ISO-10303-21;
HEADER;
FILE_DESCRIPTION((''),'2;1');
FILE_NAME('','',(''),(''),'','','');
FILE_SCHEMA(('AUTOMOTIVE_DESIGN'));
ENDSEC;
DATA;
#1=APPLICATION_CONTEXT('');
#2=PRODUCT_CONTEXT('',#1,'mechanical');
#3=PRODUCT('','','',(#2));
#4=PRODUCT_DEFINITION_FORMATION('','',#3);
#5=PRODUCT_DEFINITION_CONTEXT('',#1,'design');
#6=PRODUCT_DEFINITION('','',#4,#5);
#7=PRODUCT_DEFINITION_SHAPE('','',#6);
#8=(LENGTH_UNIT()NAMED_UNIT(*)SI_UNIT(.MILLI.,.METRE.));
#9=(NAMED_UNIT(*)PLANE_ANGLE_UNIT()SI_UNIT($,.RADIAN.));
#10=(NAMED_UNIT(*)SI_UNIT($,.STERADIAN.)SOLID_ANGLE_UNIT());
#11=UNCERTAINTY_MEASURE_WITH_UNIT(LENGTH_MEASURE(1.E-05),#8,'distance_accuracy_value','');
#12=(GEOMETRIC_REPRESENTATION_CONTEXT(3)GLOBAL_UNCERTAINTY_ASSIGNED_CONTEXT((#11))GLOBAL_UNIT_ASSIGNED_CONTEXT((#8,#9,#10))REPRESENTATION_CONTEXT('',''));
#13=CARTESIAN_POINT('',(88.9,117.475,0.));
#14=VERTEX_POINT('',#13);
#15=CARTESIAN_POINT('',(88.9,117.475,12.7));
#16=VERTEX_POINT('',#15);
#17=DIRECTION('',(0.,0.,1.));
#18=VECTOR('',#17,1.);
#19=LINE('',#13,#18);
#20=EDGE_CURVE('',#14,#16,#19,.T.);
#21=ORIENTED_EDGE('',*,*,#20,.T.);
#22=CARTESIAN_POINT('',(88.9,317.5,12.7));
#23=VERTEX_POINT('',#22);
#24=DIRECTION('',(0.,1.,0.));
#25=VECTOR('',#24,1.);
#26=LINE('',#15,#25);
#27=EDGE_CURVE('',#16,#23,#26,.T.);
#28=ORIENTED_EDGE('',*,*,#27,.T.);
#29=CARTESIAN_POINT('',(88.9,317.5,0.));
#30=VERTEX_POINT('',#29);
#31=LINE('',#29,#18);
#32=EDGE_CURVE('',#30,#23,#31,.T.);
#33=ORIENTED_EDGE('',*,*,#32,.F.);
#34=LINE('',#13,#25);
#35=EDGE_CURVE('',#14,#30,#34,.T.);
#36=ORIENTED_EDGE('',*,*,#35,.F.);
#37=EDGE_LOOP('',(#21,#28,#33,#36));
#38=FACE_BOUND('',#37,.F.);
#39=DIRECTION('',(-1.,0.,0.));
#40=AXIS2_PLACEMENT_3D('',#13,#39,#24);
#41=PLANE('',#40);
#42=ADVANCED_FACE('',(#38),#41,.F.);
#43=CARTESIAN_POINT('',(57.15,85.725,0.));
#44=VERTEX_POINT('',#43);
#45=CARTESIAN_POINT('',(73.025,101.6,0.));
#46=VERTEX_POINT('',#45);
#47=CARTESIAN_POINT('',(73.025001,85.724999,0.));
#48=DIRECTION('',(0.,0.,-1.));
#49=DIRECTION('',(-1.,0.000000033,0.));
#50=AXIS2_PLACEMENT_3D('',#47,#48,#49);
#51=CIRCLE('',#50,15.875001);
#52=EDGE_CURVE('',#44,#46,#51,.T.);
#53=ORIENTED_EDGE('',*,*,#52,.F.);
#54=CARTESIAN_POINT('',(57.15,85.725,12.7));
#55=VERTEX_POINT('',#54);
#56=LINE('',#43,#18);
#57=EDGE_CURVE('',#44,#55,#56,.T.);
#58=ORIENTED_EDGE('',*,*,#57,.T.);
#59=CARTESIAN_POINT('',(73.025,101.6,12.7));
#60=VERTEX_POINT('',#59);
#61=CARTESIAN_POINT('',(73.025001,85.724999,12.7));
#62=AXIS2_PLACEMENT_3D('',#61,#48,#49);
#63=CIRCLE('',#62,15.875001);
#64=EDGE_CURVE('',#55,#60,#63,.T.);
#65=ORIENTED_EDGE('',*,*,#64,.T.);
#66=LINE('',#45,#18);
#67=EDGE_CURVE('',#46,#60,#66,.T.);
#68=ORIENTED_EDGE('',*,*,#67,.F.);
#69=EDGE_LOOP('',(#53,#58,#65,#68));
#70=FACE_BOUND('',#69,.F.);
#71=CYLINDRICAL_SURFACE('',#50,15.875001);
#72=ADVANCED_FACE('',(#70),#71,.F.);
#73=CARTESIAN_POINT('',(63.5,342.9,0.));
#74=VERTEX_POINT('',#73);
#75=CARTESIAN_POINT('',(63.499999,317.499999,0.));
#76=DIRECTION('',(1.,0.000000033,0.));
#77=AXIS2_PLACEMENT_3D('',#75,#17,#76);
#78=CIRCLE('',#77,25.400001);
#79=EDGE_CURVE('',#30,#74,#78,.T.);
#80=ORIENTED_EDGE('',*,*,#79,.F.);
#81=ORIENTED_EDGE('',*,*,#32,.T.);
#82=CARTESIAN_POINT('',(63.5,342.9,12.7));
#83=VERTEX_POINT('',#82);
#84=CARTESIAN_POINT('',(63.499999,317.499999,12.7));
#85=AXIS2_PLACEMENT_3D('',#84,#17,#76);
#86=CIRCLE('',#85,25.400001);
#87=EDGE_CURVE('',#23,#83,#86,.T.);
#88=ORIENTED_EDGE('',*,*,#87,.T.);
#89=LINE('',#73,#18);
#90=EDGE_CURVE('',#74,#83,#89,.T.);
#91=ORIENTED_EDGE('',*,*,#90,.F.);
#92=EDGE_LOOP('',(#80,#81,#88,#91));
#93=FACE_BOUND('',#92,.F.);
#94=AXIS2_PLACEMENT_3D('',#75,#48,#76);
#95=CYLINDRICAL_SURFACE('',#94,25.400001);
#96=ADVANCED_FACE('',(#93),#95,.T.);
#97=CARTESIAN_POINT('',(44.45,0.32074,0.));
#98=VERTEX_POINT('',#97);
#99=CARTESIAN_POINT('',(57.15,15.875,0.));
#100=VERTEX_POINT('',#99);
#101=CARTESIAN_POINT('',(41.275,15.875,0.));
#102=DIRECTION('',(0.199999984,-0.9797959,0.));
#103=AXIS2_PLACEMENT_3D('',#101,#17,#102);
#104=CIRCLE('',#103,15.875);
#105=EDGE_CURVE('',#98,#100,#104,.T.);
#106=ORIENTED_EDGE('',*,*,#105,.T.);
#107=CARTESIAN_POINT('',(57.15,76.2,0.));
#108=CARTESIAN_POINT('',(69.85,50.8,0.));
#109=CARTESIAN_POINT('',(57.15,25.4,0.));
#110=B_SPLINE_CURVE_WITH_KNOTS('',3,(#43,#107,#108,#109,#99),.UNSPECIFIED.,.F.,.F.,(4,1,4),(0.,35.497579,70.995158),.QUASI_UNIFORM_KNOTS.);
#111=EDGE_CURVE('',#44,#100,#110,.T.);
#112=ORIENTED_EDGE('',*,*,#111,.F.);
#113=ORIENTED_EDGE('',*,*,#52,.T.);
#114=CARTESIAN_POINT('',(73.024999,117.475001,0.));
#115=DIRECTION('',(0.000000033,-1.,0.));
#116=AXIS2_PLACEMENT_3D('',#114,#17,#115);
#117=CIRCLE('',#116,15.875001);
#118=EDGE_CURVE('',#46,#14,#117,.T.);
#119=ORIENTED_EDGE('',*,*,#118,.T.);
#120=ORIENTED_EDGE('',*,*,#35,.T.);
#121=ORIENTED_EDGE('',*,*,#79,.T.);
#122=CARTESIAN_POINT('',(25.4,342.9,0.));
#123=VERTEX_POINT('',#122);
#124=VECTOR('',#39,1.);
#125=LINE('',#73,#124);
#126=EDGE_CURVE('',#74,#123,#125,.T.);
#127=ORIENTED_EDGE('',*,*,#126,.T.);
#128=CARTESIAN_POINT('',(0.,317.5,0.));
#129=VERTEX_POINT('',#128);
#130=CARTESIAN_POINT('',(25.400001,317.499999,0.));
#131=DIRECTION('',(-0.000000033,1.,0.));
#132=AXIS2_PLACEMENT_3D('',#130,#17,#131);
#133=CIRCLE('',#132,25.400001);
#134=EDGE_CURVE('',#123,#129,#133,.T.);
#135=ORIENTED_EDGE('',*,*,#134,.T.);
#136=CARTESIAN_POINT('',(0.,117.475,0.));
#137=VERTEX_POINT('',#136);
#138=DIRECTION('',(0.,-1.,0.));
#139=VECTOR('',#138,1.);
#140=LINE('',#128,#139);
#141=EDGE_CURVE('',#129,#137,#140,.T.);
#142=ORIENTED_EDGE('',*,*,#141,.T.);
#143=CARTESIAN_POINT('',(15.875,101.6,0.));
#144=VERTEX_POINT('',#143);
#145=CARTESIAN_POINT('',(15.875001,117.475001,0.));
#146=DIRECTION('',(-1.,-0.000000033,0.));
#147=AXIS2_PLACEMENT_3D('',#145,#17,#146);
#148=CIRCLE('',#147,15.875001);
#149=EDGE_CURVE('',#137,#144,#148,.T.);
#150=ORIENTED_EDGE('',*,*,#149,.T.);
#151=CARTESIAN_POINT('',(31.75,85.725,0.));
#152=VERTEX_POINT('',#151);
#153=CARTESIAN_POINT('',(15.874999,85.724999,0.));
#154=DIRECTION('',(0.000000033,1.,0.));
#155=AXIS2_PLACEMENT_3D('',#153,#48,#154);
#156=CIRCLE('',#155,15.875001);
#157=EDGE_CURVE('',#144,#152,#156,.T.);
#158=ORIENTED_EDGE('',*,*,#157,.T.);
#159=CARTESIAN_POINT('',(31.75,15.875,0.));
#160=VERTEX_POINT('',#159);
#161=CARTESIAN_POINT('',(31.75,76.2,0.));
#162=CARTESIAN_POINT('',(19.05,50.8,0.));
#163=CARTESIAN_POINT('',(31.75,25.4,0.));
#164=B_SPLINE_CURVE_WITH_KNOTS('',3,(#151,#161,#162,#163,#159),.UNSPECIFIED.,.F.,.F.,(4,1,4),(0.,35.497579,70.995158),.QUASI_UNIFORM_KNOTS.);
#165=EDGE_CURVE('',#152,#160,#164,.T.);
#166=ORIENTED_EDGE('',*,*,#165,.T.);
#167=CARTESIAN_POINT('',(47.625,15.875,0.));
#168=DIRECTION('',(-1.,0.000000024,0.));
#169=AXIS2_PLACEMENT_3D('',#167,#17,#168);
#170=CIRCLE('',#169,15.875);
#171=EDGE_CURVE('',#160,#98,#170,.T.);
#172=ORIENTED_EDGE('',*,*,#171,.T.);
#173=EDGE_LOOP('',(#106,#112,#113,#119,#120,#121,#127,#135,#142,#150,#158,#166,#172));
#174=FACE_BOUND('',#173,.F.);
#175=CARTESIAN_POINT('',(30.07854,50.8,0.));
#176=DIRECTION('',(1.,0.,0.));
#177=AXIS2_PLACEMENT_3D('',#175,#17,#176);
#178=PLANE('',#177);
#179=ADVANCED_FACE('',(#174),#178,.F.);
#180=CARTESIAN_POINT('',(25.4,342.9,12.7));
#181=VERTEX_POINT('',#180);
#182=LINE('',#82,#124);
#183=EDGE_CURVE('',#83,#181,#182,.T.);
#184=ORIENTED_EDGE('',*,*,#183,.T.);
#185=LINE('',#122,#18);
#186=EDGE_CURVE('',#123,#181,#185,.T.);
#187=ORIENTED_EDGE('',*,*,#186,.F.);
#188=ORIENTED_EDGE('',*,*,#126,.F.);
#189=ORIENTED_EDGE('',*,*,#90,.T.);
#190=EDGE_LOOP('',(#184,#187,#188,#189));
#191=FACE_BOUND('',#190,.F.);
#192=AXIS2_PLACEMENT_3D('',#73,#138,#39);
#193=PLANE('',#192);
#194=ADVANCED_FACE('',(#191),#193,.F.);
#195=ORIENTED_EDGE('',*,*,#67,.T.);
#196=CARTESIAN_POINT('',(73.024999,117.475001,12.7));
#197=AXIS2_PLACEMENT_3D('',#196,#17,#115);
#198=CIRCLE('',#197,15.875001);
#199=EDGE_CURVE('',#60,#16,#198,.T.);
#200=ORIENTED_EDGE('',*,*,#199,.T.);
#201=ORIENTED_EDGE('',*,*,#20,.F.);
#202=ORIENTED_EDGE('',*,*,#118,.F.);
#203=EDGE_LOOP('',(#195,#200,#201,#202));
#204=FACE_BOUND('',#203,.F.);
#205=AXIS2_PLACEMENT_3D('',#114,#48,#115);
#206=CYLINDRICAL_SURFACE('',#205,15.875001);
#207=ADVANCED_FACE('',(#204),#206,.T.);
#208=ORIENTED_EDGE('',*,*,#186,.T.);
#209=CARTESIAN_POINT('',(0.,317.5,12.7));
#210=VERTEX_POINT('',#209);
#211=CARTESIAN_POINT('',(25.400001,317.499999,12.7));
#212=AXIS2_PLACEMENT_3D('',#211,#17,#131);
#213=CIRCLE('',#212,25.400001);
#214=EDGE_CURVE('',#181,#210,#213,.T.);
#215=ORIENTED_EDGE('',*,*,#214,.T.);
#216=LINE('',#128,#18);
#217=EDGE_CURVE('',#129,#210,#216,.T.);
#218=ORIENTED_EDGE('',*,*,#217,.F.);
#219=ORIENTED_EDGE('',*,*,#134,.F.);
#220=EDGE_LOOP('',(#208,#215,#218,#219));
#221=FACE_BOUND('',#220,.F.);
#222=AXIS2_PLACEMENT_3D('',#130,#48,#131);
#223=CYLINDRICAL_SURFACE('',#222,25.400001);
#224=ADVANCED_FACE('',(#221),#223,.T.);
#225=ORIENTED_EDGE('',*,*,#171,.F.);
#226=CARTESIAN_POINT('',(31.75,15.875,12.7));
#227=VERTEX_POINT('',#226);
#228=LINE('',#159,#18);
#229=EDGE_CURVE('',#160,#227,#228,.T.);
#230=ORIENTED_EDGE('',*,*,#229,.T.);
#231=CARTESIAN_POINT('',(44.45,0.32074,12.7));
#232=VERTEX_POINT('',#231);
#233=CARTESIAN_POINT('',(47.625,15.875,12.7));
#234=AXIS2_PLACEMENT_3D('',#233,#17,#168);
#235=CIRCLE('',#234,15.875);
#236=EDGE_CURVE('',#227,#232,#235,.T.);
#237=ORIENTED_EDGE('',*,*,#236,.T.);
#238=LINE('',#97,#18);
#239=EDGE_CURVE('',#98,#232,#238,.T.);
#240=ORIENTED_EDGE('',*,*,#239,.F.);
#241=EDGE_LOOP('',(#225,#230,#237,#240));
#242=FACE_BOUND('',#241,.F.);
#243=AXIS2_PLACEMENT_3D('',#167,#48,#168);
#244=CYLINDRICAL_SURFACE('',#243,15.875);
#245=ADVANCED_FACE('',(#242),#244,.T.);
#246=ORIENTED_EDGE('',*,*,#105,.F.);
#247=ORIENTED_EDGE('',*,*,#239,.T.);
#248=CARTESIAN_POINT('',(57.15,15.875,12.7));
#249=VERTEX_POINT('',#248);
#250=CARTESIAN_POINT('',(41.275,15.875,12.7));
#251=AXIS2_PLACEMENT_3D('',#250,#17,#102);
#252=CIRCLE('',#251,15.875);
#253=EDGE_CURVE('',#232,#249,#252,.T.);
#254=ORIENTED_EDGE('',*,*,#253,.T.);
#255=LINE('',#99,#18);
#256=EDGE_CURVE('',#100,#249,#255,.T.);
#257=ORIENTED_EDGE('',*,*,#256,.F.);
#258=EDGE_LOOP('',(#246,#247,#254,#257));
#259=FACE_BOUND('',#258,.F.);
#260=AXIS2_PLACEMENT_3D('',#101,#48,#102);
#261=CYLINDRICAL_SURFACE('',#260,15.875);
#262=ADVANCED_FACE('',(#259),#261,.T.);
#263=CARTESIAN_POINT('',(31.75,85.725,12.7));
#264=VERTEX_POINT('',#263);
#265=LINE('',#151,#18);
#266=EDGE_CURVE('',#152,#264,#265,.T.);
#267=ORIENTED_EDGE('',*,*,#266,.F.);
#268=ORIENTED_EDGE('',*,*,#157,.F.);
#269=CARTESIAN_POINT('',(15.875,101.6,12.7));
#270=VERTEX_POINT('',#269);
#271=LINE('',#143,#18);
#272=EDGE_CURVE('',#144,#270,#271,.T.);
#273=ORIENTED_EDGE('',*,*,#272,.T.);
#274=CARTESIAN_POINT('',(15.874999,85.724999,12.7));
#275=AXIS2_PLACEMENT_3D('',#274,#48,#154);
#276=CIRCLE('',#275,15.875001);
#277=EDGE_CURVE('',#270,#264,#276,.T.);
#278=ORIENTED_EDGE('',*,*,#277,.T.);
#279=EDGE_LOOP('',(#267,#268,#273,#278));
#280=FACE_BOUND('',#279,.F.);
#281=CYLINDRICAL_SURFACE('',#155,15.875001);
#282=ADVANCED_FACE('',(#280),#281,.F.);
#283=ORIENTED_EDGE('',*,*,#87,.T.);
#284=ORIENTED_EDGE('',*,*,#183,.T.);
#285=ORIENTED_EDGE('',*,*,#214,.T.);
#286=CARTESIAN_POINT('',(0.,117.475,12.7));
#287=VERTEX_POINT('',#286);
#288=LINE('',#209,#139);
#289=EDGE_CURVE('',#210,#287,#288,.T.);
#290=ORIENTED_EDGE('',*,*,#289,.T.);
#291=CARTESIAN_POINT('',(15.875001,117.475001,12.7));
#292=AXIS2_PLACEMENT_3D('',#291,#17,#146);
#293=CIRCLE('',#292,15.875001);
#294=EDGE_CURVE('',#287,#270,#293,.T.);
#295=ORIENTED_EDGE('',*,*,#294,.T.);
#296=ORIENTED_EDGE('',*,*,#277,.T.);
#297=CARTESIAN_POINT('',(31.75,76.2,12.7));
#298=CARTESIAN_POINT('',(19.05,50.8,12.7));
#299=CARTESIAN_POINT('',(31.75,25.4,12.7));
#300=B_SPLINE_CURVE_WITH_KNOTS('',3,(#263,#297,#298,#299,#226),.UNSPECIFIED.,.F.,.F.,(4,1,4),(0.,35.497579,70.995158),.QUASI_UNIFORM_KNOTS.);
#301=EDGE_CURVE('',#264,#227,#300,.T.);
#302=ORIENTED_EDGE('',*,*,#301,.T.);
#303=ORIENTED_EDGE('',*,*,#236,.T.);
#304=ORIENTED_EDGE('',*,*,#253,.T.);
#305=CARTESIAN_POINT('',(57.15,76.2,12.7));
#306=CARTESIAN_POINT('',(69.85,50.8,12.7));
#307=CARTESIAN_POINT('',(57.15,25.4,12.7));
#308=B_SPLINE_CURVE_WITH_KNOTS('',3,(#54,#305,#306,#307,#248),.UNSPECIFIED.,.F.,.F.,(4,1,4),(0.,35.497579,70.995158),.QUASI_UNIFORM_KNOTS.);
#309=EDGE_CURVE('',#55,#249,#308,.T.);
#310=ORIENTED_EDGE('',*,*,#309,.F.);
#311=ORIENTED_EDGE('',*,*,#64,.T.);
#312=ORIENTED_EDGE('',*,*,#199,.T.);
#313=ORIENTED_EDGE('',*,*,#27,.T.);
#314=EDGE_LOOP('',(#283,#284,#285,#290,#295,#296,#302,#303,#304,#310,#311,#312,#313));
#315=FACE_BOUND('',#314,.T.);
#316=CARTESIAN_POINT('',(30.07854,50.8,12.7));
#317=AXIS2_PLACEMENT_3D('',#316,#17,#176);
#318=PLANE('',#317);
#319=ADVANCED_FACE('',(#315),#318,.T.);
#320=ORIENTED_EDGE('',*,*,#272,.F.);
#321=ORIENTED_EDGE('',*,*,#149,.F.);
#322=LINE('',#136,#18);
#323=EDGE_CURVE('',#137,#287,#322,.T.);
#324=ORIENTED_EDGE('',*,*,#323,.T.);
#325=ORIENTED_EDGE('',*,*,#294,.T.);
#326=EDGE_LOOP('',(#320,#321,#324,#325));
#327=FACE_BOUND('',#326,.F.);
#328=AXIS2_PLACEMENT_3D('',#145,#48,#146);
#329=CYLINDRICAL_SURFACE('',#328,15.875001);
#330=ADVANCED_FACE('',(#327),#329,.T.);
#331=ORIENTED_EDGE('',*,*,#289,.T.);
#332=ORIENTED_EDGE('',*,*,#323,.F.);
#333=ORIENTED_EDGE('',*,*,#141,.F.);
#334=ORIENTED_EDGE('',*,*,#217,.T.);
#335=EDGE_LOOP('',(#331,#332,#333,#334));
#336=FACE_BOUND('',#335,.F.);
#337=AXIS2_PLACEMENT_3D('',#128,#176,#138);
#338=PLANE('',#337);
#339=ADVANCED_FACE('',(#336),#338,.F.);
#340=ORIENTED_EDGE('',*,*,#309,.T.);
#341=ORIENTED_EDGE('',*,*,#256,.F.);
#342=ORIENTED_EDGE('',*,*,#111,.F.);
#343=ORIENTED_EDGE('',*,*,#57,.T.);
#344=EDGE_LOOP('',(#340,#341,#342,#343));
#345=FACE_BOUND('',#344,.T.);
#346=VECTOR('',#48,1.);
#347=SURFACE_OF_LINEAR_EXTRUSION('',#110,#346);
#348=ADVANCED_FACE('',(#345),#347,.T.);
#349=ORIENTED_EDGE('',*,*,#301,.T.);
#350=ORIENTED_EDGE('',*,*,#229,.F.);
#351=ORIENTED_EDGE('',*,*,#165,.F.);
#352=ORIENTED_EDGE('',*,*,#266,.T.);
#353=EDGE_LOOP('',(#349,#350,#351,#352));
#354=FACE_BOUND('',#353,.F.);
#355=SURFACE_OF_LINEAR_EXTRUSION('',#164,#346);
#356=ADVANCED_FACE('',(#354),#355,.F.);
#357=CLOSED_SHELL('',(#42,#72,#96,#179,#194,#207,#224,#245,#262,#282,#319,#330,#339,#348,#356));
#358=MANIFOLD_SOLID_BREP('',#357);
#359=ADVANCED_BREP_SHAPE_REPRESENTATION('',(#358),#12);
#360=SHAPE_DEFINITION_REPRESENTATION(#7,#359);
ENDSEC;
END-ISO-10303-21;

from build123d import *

# Parameters (mm, degrees)
F1_DEPTH = 12.7


with BuildPart() as f1:
    # F0 (on Top) → F1 (new body)
    with BuildSketch(Plane.XY):
        with BuildLine():
            Line((31.75, 15.875), (31.75, 85.725))
            add(Edge.make_bspline(
                [(31.75, 85.725), (31.75, 76.2), (19.05, 50.8), (31.75, 25.4), (31.75, 15.875)],
                knots=[0, 0, 0, 0, 35.497579, 70.995158, 70.995158, 70.995158, 70.995158], degree=3))
        make_face()
        with BuildLine():
            add(Edge.make_bspline(
                [(57.15, 85.725), (57.15, 76.2), (69.85, 50.8), (57.15, 25.4), (57.15, 15.875)],
                knots=[0, 0, 0, 0, 35.497579, 70.995158, 70.995158, 70.995158, 70.995158], degree=3))
            Line((57.15, 85.725), (57.15, 15.875))
        make_face()
        with BuildLine():
            Line((63.5, 342.9), (25.4, 342.9))
            ThreePointArc((25.4, 342.9), (7.439488, 335.460512), (0, 317.5))
            Line((0, 317.5), (0, 117.475))
            ThreePointArc((0, 117.475), (4.64968, 106.24968), (15.875, 101.6))
            ThreePointArc((15.875, 101.6), (27.10032, 96.95032), (31.75, 85.725))
            Line((31.75, 85.725), (31.75, 15.875))
            ThreePointArc((31.75, 15.875), (35.328278, 5.834768), (44.45, 0.32074))
            ThreePointArc((44.45, 0.32074), (53.571722, 5.834768), (57.15, 15.875))
            Line((57.15, 15.875), (57.15, 85.725))
            ThreePointArc((57.15, 85.725), (61.79968, 96.95032), (73.025, 101.6))
            ThreePointArc((73.025, 101.6), (84.25032, 106.24968), (88.9, 117.475))
            Line((88.9, 117.475), (88.9, 317.5))
            ThreePointArc((88.9, 317.5), (81.460512, 335.460512), (63.5, 342.9))
        make_face()
    extrude(amount=F1_DEPTH)


solid = f1.part
